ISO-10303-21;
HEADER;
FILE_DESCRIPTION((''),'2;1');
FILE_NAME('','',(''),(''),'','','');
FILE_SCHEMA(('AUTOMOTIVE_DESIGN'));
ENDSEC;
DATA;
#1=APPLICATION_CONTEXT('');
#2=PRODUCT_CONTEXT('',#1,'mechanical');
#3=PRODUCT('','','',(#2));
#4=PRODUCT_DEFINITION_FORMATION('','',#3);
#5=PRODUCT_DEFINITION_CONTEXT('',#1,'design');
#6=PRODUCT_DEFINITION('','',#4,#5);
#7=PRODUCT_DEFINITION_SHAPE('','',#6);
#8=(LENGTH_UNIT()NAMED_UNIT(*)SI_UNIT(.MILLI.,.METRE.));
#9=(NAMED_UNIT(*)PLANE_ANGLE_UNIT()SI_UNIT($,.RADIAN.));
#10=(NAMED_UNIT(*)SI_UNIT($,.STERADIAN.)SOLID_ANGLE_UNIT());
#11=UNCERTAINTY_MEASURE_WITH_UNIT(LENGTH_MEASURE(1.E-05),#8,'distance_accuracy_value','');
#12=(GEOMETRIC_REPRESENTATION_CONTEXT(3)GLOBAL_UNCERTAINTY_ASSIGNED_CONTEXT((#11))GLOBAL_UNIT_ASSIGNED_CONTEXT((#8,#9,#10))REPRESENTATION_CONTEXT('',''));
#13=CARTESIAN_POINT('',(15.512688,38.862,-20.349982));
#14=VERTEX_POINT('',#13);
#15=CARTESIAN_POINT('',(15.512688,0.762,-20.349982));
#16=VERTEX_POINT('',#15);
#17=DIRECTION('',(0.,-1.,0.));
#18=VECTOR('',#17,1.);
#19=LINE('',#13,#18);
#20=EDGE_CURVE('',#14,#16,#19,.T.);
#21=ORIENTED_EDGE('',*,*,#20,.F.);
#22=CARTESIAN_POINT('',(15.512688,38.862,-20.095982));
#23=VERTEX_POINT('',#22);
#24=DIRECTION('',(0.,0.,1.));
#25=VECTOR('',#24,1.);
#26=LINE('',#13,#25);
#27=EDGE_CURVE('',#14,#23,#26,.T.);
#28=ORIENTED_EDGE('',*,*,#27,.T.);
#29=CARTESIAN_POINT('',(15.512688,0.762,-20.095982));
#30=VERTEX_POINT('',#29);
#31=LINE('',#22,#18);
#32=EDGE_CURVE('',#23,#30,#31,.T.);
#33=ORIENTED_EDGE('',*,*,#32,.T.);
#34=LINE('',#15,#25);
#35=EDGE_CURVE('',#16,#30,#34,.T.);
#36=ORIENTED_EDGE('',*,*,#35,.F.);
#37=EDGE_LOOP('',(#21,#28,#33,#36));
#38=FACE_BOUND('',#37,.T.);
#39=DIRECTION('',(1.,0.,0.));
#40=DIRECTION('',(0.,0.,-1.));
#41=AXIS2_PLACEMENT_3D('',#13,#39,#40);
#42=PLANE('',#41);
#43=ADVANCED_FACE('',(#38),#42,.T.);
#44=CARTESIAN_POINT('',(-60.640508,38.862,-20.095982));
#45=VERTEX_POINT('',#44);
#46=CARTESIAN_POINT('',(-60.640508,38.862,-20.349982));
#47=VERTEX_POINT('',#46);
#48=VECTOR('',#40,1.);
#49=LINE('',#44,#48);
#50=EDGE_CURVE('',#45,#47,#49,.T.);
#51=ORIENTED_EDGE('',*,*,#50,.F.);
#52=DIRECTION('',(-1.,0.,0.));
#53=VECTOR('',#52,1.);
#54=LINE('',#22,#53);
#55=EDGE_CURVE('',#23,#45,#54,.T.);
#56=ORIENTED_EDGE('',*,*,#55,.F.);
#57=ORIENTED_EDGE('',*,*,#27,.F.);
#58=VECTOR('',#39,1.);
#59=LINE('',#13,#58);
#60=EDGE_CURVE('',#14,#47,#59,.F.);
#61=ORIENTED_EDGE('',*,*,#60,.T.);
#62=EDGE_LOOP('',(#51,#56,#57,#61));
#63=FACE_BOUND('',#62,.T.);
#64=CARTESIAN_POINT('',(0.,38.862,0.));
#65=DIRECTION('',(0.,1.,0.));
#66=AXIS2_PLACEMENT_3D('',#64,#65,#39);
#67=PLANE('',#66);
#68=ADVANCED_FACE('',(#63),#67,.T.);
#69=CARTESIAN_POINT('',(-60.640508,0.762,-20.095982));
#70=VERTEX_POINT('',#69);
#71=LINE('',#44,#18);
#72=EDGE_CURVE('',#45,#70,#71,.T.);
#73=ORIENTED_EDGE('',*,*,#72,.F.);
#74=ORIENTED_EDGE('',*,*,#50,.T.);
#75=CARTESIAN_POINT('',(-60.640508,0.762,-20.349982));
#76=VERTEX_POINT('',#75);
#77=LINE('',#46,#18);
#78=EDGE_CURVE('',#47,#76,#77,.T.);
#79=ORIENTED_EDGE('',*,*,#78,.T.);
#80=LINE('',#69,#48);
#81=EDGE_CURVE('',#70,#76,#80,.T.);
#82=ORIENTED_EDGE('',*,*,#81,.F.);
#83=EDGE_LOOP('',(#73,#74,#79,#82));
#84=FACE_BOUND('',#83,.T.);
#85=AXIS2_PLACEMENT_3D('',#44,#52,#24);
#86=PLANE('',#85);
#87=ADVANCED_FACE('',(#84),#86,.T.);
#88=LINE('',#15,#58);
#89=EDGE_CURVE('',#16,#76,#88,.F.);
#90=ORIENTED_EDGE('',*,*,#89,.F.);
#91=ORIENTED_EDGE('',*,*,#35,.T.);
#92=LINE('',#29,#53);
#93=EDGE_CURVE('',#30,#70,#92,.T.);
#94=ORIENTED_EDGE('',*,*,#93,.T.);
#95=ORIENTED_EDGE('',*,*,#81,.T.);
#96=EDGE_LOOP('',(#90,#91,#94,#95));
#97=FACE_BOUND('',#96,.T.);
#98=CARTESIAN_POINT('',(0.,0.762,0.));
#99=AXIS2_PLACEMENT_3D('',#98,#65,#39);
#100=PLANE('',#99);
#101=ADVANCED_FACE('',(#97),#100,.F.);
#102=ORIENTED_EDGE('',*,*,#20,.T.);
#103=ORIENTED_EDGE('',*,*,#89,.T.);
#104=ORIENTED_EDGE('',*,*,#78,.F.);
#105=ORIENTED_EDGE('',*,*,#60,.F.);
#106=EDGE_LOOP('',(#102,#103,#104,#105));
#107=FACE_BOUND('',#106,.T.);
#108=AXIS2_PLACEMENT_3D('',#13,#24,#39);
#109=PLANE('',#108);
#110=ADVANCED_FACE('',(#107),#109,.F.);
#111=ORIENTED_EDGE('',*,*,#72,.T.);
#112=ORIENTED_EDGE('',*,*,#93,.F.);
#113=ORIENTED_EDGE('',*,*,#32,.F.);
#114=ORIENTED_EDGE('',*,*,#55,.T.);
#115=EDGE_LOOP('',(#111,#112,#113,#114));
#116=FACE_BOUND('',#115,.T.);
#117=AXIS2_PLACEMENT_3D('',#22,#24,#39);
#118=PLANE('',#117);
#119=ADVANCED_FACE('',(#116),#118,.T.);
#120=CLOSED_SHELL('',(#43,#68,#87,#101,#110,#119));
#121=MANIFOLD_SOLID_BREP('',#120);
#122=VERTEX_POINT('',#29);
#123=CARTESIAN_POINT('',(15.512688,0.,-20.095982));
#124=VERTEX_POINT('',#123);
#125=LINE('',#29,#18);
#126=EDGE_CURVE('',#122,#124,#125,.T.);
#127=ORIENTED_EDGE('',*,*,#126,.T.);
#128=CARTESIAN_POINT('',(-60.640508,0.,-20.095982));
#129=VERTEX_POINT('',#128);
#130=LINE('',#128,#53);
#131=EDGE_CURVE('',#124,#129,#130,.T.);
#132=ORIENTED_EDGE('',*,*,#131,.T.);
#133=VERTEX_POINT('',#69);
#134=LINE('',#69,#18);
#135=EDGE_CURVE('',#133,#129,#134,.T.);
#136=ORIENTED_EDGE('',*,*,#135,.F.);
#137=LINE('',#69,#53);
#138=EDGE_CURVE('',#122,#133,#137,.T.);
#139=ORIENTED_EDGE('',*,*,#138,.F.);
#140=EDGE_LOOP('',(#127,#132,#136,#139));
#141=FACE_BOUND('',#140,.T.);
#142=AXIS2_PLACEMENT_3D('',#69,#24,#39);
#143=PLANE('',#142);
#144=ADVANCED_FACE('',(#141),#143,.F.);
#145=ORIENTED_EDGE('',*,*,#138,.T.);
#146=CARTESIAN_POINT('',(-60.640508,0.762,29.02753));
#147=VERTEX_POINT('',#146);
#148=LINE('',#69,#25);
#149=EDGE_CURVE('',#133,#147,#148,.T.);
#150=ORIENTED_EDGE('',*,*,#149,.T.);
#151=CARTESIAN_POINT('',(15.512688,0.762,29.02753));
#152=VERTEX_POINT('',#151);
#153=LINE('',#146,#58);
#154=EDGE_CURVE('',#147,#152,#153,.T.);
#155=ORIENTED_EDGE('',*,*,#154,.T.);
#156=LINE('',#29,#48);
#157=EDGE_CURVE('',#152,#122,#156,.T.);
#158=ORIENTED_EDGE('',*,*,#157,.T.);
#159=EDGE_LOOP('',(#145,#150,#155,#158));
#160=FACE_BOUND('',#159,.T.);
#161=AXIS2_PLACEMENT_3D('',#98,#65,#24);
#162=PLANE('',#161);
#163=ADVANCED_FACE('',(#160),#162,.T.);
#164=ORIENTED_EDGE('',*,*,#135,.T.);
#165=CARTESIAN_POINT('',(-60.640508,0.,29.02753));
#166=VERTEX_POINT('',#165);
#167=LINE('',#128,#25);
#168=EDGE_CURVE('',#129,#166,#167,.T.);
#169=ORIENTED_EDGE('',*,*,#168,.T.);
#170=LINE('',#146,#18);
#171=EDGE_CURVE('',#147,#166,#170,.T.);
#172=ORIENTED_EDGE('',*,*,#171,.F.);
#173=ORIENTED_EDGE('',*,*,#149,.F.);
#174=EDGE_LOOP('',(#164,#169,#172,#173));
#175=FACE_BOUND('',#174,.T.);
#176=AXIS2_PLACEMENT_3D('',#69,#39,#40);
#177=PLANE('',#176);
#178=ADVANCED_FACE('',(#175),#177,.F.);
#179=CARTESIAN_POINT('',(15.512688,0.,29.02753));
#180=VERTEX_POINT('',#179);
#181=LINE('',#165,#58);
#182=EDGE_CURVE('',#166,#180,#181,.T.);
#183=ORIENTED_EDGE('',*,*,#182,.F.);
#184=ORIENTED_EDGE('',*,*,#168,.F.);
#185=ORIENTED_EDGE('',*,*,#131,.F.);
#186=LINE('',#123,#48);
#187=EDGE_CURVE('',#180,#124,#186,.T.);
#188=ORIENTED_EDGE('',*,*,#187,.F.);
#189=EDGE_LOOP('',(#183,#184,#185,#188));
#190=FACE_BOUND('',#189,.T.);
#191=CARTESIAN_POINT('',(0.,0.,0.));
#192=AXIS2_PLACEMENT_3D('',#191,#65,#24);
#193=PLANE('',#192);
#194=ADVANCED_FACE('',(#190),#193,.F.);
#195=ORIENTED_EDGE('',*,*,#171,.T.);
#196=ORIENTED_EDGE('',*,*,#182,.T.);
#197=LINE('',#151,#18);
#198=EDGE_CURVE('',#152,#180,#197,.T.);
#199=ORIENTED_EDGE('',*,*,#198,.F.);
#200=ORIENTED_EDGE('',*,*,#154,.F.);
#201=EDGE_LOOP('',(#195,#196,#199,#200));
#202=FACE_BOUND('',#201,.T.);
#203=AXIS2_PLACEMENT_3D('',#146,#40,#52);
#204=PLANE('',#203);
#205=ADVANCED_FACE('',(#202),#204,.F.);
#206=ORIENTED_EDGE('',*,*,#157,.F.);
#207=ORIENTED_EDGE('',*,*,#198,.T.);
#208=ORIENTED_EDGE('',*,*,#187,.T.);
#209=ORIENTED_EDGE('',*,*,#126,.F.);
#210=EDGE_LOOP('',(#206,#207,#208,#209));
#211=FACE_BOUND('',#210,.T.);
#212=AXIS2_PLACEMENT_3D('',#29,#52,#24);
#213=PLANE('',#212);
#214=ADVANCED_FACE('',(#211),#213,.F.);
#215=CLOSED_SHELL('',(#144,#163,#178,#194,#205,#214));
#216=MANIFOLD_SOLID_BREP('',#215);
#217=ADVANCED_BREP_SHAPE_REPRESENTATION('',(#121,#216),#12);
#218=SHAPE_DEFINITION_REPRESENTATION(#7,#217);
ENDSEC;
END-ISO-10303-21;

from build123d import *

# Parameters (mm, degrees)
SKETCH1_W     = 76.153195598
SKETCH1_H     = 49.123511976
FLOOR_2_DEPTH = 0.762
SKETCH5_W     = 76.153195598
SKETCH5_H     = 0.254
WALL1_DEPTH   = 38.1


with BuildPart() as part:
    # Sketch1 → Floor 2 (new body)
    with BuildSketch(Plane(origin=(0, 0, 0), x_dir=(1, 0, 0), z_dir=(0, 1, 0))):
        with Locations((-22.563909807, -4.465773816)):
            Rectangle(SKETCH1_W, SKETCH1_H)
    extrude(amount=FLOOR_2_DEPTH)


with BuildPart() as body_2:
    # Sketch5 → Wall1 (new body)
    with BuildSketch(Plane(origin=(0, 0.762, 0), x_dir=(1, 0, 0), z_dir=(0, 1, 0))):
        with Locations((-22.563909807, 20.222982172)):
            Rectangle(SKETCH5_W, SKETCH5_H)
    extrude(amount=WALL1_DEPTH)


solid = Compound([part.part, body_2.part])
